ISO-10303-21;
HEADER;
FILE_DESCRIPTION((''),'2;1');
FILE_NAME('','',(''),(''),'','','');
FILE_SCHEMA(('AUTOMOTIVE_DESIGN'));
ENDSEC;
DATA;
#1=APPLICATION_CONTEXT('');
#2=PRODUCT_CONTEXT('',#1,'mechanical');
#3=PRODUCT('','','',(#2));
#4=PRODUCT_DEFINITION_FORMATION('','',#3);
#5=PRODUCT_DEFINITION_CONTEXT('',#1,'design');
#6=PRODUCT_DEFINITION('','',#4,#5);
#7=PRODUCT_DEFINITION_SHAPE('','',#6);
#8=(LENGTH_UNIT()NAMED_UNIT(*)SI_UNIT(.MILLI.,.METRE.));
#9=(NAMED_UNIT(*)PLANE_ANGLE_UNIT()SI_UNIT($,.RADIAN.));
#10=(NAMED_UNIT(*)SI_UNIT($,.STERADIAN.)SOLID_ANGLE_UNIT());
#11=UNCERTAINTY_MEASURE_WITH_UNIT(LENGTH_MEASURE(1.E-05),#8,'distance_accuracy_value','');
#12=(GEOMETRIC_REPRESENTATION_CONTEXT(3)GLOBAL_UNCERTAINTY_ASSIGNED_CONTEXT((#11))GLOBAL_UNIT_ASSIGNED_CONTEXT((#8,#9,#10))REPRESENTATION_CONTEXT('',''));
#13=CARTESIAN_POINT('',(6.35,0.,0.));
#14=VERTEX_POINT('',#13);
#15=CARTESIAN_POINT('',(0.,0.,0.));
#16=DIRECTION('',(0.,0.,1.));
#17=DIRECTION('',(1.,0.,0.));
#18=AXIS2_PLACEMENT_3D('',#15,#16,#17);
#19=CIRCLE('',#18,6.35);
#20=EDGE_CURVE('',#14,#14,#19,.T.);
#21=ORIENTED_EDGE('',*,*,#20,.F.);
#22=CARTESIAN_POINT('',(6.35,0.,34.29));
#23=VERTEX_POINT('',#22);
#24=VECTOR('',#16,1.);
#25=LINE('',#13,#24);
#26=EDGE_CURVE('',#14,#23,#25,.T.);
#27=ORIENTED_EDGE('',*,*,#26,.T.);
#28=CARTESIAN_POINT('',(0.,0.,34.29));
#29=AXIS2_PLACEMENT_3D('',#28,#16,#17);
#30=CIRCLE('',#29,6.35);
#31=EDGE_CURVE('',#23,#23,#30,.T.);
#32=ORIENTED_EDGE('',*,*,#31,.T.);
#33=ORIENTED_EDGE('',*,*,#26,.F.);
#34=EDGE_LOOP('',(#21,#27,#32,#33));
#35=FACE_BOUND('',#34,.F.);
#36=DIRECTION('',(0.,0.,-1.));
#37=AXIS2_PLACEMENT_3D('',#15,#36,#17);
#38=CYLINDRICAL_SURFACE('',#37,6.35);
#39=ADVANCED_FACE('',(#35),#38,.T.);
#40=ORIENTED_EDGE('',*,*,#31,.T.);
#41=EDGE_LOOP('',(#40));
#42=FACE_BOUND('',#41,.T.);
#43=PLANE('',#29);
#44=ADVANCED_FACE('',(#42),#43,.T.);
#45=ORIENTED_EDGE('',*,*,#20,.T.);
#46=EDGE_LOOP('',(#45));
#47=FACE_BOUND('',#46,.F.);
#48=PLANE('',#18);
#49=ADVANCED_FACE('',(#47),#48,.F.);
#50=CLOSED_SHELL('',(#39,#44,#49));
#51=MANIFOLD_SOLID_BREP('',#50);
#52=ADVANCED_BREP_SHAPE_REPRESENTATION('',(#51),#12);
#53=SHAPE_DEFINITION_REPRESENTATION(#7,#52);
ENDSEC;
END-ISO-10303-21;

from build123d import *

# Parameters (mm, degrees)
SKETCH1_R           = 6.35
BOSS_EXTRUDE1_DEPTH = 34.29


with BuildPart() as part:
    # Sketch1 → Boss-Extrude1 (new body)
    with BuildSketch(Plane.XY):
        Circle(SKETCH1_R)
    extrude(amount=BOSS_EXTRUDE1_DEPTH)


solid = part.part
